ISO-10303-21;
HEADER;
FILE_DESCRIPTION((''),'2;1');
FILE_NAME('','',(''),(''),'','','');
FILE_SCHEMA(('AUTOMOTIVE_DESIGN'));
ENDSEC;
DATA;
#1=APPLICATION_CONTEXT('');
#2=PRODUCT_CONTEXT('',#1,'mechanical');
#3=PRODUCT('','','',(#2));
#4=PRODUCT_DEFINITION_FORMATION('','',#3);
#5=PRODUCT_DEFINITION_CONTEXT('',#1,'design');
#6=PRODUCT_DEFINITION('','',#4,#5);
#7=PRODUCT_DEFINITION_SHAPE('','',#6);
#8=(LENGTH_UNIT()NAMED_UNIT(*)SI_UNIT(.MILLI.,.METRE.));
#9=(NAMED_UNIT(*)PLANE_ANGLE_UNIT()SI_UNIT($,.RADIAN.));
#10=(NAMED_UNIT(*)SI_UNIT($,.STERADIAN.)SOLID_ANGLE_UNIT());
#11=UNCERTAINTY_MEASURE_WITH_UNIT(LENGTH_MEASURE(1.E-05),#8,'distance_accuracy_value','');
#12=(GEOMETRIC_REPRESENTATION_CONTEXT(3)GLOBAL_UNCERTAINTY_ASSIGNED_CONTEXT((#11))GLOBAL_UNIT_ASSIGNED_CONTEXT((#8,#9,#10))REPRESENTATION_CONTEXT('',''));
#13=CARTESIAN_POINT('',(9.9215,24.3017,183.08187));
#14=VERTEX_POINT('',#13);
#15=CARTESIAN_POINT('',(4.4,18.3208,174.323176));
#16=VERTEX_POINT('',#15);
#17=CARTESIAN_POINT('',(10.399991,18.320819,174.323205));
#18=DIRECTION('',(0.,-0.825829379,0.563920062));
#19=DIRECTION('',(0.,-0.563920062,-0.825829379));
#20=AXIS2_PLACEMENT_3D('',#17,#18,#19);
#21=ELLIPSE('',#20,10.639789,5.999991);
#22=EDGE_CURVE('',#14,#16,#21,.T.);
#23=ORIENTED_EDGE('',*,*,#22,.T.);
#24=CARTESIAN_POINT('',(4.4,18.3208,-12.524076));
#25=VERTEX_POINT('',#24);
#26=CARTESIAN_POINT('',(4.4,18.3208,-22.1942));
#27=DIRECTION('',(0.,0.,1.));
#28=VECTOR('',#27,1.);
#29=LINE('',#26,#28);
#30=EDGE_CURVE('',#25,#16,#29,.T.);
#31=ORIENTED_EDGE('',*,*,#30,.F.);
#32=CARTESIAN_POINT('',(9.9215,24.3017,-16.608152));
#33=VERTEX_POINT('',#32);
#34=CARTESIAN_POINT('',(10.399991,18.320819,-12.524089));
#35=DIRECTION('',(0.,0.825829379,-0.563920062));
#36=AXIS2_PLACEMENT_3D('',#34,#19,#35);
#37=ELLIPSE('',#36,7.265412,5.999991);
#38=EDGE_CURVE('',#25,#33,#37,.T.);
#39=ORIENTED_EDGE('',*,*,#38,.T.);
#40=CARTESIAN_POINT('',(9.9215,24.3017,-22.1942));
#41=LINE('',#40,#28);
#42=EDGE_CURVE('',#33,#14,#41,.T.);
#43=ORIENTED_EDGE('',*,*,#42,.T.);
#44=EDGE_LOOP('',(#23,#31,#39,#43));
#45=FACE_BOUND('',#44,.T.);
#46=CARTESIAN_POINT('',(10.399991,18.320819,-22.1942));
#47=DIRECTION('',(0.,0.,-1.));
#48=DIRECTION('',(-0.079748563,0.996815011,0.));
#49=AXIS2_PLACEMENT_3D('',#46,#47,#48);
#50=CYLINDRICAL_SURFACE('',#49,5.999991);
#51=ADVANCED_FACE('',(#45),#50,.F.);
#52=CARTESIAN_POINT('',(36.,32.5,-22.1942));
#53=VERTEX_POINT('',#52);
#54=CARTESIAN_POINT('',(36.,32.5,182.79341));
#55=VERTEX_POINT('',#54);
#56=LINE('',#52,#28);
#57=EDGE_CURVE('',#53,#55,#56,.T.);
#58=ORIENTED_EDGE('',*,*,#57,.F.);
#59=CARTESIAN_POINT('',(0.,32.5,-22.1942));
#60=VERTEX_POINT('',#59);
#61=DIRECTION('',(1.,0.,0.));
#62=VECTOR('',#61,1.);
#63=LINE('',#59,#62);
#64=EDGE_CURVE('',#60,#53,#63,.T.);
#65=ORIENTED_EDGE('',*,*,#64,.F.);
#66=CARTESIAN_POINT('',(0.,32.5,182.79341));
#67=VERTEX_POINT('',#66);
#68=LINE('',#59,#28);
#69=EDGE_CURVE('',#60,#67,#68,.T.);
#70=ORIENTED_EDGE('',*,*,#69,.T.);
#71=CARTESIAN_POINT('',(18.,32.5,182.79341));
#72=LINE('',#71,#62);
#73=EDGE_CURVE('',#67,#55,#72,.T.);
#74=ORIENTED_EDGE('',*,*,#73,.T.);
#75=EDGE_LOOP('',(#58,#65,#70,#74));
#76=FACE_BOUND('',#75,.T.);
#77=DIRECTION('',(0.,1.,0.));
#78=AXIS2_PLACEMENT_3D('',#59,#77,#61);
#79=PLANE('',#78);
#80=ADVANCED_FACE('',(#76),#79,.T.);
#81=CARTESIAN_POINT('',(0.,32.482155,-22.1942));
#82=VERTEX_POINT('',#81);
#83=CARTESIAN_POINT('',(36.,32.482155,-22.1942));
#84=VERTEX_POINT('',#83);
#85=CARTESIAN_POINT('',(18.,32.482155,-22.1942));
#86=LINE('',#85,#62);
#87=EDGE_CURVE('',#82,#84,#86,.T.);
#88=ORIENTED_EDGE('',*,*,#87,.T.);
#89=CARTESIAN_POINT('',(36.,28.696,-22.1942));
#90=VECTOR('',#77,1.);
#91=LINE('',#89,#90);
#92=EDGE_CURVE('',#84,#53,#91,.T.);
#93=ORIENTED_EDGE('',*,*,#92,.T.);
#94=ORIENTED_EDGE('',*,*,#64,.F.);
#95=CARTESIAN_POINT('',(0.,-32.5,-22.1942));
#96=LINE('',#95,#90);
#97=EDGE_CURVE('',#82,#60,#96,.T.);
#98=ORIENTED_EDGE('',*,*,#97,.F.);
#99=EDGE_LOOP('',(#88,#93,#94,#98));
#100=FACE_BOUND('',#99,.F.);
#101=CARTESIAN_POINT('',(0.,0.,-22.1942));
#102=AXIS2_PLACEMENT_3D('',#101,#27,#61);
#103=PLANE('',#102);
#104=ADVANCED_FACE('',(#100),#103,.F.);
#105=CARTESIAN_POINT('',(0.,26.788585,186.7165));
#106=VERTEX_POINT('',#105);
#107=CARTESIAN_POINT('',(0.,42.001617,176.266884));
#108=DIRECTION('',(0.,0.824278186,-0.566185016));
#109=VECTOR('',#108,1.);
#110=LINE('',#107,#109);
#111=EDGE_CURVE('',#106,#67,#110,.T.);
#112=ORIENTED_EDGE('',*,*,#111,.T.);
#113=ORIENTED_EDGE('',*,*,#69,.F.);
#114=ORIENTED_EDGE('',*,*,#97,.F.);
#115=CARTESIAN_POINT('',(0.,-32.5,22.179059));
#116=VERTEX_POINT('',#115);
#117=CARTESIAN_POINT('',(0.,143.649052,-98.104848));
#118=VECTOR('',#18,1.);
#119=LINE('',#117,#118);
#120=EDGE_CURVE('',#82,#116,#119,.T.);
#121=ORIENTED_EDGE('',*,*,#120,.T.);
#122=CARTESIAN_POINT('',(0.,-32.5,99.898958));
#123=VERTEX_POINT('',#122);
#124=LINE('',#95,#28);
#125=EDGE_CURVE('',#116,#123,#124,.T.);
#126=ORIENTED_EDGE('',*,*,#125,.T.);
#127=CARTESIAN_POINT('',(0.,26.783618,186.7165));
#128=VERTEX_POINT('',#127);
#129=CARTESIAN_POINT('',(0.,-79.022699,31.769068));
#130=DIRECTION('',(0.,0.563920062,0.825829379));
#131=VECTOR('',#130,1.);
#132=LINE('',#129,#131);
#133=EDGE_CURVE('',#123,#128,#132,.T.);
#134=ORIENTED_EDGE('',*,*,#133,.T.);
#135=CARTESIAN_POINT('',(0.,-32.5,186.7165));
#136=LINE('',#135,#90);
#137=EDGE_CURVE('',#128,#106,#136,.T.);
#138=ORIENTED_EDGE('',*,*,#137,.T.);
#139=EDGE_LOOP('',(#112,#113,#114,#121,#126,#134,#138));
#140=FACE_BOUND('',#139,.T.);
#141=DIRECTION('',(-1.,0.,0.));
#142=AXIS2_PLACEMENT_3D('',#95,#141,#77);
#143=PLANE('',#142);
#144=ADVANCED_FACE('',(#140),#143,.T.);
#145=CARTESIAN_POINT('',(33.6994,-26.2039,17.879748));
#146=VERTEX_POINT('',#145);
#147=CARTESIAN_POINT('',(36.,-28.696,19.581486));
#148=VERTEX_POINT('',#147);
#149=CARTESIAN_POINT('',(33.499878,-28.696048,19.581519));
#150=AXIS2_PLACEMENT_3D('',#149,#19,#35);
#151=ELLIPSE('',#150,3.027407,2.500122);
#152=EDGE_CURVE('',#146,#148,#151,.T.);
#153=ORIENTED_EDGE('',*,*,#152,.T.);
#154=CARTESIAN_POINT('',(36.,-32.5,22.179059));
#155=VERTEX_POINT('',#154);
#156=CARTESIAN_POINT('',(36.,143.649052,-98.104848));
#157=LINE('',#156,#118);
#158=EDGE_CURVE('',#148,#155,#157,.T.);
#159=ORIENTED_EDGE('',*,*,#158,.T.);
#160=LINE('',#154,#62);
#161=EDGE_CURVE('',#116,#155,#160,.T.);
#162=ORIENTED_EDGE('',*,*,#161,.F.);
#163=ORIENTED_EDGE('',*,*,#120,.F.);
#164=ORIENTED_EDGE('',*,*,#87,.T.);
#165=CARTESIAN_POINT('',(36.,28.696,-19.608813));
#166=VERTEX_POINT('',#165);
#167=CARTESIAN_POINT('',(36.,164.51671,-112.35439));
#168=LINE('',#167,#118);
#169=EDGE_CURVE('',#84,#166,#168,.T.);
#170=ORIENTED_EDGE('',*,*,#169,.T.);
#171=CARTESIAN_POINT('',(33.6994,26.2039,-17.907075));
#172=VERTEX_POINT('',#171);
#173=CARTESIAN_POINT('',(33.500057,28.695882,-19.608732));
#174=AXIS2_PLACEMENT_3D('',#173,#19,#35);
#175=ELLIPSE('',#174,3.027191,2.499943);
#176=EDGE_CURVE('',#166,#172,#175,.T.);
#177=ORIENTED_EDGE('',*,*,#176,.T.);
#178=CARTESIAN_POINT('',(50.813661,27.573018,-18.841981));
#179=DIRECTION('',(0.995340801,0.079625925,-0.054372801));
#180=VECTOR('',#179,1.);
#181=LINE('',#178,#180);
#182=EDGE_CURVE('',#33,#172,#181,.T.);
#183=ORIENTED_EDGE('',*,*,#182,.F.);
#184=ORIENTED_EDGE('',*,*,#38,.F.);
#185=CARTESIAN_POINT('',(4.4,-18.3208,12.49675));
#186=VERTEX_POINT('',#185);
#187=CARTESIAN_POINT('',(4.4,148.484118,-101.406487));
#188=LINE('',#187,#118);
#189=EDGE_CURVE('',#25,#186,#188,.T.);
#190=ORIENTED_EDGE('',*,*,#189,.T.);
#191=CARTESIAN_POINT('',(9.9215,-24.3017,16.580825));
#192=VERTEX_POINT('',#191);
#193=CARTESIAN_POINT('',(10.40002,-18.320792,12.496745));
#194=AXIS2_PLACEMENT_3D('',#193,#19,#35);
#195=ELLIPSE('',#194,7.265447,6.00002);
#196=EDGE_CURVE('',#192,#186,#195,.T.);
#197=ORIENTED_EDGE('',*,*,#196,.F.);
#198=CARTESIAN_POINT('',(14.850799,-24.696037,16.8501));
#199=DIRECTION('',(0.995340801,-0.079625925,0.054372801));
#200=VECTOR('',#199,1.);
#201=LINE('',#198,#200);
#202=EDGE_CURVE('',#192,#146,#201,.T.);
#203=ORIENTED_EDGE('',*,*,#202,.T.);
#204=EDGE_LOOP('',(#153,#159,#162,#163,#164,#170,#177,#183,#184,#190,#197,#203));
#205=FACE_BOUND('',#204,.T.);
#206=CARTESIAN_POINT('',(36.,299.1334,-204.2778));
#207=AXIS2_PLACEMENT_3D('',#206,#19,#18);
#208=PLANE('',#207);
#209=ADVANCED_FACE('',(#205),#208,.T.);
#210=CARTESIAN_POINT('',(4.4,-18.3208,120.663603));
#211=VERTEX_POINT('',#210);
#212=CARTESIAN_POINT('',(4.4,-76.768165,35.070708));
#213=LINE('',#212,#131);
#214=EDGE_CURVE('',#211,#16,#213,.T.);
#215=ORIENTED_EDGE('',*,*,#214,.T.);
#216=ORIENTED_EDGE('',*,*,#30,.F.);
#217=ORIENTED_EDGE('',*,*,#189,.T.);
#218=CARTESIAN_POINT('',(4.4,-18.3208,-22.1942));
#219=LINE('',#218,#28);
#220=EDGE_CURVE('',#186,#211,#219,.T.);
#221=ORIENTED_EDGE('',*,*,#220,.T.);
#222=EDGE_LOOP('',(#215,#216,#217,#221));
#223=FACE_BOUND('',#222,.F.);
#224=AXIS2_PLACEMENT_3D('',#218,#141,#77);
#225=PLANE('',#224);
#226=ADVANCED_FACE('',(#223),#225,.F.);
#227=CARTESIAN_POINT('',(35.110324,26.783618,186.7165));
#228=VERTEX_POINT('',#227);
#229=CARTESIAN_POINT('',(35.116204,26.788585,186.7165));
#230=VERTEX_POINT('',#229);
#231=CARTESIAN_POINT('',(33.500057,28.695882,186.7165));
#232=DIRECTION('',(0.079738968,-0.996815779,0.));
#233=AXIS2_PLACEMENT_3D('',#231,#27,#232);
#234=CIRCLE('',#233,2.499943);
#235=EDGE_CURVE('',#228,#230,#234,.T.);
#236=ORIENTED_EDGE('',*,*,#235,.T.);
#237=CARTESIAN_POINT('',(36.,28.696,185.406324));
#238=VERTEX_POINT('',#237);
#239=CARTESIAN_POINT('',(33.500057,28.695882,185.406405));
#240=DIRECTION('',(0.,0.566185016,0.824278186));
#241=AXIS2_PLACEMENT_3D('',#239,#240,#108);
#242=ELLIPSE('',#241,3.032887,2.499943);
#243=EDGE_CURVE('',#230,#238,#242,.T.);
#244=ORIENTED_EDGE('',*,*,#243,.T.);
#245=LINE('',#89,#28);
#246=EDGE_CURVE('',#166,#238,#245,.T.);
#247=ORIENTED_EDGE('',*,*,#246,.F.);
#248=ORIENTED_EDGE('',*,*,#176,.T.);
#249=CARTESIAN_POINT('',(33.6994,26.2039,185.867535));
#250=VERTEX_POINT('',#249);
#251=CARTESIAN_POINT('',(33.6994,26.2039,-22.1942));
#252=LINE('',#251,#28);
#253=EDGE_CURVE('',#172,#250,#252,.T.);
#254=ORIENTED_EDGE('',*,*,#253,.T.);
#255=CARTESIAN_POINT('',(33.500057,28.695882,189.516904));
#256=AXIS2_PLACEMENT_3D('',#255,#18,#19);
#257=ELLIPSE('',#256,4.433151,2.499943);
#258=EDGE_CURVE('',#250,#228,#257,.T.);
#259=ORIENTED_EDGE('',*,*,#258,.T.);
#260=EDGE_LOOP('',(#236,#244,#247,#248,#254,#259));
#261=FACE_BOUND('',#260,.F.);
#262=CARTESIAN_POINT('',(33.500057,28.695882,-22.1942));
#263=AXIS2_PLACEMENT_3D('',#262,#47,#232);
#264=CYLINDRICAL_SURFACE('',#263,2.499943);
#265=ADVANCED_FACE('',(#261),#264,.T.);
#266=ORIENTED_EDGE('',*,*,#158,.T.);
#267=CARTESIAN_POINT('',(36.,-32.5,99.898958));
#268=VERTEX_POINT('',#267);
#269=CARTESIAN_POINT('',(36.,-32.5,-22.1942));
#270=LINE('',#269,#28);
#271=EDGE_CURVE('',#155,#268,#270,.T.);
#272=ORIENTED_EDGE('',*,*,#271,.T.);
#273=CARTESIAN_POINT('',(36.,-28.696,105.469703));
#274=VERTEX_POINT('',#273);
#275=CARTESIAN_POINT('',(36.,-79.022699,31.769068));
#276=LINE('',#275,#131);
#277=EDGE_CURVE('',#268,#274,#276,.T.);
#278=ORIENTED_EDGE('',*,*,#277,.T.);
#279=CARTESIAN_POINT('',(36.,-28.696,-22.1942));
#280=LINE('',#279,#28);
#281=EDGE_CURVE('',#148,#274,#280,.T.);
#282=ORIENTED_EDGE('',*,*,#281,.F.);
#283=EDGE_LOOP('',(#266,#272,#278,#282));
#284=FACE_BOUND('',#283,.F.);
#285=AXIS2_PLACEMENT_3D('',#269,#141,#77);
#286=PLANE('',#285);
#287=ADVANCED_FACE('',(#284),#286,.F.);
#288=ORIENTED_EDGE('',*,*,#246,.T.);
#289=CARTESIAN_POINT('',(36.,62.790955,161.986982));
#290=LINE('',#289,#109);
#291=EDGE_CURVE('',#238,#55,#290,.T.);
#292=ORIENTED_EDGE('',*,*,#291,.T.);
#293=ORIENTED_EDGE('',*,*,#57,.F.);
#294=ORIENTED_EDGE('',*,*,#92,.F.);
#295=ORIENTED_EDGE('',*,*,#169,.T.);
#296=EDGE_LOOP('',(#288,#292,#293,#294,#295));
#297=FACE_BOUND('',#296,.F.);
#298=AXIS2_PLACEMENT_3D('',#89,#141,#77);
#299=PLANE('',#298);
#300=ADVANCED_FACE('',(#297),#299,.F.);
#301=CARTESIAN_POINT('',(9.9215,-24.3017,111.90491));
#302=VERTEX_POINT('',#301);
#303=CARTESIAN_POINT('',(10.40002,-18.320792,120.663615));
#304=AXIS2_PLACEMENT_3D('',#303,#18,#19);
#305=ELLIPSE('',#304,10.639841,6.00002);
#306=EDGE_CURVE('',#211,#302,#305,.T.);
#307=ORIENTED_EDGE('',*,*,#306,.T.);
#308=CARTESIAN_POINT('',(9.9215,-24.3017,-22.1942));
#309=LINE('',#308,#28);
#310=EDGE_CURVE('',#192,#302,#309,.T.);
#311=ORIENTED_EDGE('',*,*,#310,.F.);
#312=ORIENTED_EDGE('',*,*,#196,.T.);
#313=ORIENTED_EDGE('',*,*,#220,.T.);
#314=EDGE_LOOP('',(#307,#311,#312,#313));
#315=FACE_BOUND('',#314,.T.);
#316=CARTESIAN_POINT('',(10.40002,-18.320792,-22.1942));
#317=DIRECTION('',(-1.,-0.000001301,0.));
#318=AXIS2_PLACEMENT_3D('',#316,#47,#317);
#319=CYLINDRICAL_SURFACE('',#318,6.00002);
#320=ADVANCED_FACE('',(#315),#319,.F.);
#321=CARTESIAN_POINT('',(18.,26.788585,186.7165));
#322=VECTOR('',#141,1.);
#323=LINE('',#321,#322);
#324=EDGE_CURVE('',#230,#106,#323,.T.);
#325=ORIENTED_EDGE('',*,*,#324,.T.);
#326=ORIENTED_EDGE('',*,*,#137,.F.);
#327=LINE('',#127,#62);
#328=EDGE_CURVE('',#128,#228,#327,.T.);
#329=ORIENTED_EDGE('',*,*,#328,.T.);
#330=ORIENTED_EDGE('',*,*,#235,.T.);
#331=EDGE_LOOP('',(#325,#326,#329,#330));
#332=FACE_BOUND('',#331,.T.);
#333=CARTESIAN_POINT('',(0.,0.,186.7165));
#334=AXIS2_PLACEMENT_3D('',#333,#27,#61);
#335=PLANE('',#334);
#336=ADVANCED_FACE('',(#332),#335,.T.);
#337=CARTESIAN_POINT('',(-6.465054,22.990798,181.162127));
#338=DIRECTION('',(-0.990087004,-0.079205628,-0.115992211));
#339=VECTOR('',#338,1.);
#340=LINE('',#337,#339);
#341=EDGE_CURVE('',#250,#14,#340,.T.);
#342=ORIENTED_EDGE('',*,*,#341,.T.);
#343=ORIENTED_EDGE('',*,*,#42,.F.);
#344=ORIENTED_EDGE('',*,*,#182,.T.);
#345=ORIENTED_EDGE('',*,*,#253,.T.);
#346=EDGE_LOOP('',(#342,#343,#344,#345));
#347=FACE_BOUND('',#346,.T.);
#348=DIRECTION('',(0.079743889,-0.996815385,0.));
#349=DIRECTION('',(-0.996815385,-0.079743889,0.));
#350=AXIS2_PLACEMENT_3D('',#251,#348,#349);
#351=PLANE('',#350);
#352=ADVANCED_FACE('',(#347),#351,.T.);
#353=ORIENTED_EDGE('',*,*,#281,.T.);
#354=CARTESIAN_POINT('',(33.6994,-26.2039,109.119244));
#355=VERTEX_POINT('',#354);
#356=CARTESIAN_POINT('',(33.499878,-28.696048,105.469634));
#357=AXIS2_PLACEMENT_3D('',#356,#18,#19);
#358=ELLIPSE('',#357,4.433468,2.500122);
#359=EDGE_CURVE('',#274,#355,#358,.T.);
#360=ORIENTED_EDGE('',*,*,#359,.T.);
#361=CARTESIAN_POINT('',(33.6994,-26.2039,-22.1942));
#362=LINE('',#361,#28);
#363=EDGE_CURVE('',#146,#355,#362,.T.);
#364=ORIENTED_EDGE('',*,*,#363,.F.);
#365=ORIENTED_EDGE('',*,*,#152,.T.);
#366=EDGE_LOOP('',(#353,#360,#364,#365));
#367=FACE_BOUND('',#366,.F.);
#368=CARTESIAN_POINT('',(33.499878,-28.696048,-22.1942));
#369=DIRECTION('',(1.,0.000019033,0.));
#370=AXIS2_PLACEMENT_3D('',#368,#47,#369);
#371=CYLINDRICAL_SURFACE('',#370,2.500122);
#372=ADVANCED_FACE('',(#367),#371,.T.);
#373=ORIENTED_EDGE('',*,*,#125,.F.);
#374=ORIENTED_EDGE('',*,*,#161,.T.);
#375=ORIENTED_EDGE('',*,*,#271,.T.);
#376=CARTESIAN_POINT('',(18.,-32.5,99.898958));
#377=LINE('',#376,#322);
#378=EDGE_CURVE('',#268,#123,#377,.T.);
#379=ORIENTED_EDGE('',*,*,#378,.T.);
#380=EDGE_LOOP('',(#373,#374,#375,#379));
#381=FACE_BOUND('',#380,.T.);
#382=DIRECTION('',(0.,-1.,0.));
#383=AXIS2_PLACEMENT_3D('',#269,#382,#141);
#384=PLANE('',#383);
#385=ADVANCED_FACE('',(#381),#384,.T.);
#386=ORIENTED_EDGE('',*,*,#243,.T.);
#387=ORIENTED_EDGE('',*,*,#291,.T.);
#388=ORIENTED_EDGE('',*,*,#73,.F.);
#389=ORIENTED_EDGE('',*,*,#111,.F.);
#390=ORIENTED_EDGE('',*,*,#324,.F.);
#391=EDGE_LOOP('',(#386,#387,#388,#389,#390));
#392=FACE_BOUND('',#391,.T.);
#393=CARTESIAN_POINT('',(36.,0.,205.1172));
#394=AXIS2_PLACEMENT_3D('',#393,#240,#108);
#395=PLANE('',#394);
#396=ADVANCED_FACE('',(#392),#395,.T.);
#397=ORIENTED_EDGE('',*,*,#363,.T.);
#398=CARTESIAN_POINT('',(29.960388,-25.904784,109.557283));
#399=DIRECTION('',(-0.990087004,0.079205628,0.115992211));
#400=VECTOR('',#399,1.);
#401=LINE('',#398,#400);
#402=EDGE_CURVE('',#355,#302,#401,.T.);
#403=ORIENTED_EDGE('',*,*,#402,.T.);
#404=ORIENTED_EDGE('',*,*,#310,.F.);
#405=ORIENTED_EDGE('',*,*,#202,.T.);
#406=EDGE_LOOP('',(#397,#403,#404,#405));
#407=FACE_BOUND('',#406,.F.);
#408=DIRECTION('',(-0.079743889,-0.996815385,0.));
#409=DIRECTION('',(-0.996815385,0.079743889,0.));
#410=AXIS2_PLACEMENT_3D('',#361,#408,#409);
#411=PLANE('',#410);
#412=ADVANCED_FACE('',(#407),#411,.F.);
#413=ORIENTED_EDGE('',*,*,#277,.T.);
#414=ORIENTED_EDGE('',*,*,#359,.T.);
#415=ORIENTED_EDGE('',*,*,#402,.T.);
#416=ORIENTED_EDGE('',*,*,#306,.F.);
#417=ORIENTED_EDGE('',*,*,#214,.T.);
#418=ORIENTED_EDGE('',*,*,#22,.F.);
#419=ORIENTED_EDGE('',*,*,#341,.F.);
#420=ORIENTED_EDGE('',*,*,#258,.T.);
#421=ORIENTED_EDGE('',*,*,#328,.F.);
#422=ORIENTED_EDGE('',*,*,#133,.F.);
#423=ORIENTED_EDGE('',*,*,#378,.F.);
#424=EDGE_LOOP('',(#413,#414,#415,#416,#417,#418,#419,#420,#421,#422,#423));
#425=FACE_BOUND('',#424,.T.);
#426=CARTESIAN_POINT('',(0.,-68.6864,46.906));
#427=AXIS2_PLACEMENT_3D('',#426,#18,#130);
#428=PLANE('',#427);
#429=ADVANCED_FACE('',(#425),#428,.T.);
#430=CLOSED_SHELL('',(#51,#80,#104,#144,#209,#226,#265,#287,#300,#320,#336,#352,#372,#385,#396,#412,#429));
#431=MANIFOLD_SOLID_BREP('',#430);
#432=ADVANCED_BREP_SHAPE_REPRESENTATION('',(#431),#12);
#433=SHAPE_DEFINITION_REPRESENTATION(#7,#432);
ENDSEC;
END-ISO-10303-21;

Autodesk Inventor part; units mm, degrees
ref_plane "Начальная плоскость" through (0, 0, -22.1942) normal (0, 0, 1) x (1, 0, 0)
ref_plane "Конечная плоскость" through (0, 0, 186.7165) normal (0, 0, 1) x (1, 0, 0)
sketch "Эскиз" plane through (0, 0, 0) normal (0, 0, 1) x (1, 0, 0)
  line L0 (36, -32.5) -> (0, -32.5)
  line L1 (36, -32.5) -> (36, -28.696)
  line L2 (33.6994, -26.2039) -> (9.9215, -24.3017)
  line L3 (4.4, -18.3208) -> (4.4, 18.3208)
  line L4 (33.6994, 26.2039) -> (9.9215, 24.3017)
  line L5 (36, 28.696) -> (36, 32.5)
  line L6 (0, 32.5) -> (36, 32.5)
  line L7 (0, -32.5) -> (0, 32.5)
  arc A0 (4.4, -18.3208) -> (9.9215, -24.3017) centre (10.4, -18.3208) ccw
  arc A1 (9.9215, 24.3017) -> (4.4, 18.3208) centre (10.4, 18.3208) ccw
  arc A2 (36, -28.696) -> (33.6994, -26.2039) centre (33.5, -28.696) ccw
  arc A3 (33.6994, 26.2039) -> (36, 28.696) centre (33.5, 28.696) ccw
  line L8 (0, 45.5) -> (0, -45.5) construction
  line L9 (-7.2974, 0) -> (43.7847, 0) construction
  point P0 (36, -26.388)
  point P1 (4.4, -23.86)
  point P2 (4.4, 23.86)
  point P3 (36, 26.388)
  dimension "d3" = 36
  dimension "d5" = 4.4
  dimension "d7" = 65
  dimension "d9" = 8.64
  dimension "d11" = 8.64
  dimension "d13" = 6.112
  dimension "d15" = 6.112
  dimension "d22" = 6
  dimension "d23" = 2.5
  dimension "d24" = 32.5
  dimension "d25" = 0
extrude "Тело" add sketch "Эскиз" along normal up to surface (208.9107 mm away) from surface at -22.1942
sketch "Sketch3" plane through (0, 0, 0) normal (0, 0, 1) x (1, 0, 0)
  line L0 (0, 0) -> (10, 0)
ref_plane "Work Plane7" through (0, 0, 0) normal (0, -1, 0) x (1, 0, 0)
sketch "Sketch4" plane through (0, 0, 0) normal (0, -1, 0) x (1, 0, 0)
  line L0 (-2, -22.1942) -> (12, -22.1942)
  line L1 (-2, 186.7165) -> (12, 186.7165)
  dimension "d29" = 208.9107
ref_plane "РабПлоскость8" through (36, 0, 205.1172) normal (0, 0.5662, 0.8243) x (1, 0, 0)
split "Разделение1" plane through (36, 0, 205.1172) removes the side toward (0, 0.5662, 0.8243)
ref_plane "РабПлоскость9" through (0, -68.6864, 46.906) normal (0, -0.8258, 0.5639) x (1, 0, 0)
split "Разделение2" plane through (0, -68.6864, 46.906) removes the side toward (0, -0.8258, 0.5639)
ref_plane "РабПлоскость10" through (36, 299.1334, -204.2778) normal (0, -0.5639, -0.8258) x (1, 0, 0)
split "Разделение3" plane through (36, 299.1334, -204.2778) removes the side toward (0, -0.5639, -0.8258)
equation "\"d3\" = b"
equation "\"d5\" = t1"
equation "\"d7\" = ParH"
equation "\"d9\" = msp_x1 + t2"
equation "\"d11\" = msp_x1 + t2"
equation "\"d13\" = -msp_x2 + t2"
equation "\"d15\" = -msp_x2 + t2"
equation "\"d22\" = R"
equation "\"d23\" = R1"
equation "\"d24\" = 0.5 * d7"
equation "\"d16\" = G_L"
equation "\"R1\" = 2.5"
equation "\"R\" = 6"
equation "\"t1\" = 4.4"
equation "\"t2\" = 7.2"
equation "\"ParH\" = 65"
equation "\"b\" = 36"
equation "\"msp_x1\" = 0.04 * b"
equation "\"msp_x2\" = -0.08 * t1 + 0.04 * b"
equation "\"G_L\" = d29"
equation "\"ex\" = 0"
equation "\"G_OFFSET_START\" = 22.1942"
equation "\"G_OFFSET_END\" = -18.40074"
equation "\"d26\" = -G_OFFSET_START"
equation "\"d27\" = G_OFFSET_END + B_L"
equation "\"B_L\" = 205.11724"
properties part number "Швеллер 6.5U-208,91 ГОСТ 8240-97" material "Сталь, мягкая"
